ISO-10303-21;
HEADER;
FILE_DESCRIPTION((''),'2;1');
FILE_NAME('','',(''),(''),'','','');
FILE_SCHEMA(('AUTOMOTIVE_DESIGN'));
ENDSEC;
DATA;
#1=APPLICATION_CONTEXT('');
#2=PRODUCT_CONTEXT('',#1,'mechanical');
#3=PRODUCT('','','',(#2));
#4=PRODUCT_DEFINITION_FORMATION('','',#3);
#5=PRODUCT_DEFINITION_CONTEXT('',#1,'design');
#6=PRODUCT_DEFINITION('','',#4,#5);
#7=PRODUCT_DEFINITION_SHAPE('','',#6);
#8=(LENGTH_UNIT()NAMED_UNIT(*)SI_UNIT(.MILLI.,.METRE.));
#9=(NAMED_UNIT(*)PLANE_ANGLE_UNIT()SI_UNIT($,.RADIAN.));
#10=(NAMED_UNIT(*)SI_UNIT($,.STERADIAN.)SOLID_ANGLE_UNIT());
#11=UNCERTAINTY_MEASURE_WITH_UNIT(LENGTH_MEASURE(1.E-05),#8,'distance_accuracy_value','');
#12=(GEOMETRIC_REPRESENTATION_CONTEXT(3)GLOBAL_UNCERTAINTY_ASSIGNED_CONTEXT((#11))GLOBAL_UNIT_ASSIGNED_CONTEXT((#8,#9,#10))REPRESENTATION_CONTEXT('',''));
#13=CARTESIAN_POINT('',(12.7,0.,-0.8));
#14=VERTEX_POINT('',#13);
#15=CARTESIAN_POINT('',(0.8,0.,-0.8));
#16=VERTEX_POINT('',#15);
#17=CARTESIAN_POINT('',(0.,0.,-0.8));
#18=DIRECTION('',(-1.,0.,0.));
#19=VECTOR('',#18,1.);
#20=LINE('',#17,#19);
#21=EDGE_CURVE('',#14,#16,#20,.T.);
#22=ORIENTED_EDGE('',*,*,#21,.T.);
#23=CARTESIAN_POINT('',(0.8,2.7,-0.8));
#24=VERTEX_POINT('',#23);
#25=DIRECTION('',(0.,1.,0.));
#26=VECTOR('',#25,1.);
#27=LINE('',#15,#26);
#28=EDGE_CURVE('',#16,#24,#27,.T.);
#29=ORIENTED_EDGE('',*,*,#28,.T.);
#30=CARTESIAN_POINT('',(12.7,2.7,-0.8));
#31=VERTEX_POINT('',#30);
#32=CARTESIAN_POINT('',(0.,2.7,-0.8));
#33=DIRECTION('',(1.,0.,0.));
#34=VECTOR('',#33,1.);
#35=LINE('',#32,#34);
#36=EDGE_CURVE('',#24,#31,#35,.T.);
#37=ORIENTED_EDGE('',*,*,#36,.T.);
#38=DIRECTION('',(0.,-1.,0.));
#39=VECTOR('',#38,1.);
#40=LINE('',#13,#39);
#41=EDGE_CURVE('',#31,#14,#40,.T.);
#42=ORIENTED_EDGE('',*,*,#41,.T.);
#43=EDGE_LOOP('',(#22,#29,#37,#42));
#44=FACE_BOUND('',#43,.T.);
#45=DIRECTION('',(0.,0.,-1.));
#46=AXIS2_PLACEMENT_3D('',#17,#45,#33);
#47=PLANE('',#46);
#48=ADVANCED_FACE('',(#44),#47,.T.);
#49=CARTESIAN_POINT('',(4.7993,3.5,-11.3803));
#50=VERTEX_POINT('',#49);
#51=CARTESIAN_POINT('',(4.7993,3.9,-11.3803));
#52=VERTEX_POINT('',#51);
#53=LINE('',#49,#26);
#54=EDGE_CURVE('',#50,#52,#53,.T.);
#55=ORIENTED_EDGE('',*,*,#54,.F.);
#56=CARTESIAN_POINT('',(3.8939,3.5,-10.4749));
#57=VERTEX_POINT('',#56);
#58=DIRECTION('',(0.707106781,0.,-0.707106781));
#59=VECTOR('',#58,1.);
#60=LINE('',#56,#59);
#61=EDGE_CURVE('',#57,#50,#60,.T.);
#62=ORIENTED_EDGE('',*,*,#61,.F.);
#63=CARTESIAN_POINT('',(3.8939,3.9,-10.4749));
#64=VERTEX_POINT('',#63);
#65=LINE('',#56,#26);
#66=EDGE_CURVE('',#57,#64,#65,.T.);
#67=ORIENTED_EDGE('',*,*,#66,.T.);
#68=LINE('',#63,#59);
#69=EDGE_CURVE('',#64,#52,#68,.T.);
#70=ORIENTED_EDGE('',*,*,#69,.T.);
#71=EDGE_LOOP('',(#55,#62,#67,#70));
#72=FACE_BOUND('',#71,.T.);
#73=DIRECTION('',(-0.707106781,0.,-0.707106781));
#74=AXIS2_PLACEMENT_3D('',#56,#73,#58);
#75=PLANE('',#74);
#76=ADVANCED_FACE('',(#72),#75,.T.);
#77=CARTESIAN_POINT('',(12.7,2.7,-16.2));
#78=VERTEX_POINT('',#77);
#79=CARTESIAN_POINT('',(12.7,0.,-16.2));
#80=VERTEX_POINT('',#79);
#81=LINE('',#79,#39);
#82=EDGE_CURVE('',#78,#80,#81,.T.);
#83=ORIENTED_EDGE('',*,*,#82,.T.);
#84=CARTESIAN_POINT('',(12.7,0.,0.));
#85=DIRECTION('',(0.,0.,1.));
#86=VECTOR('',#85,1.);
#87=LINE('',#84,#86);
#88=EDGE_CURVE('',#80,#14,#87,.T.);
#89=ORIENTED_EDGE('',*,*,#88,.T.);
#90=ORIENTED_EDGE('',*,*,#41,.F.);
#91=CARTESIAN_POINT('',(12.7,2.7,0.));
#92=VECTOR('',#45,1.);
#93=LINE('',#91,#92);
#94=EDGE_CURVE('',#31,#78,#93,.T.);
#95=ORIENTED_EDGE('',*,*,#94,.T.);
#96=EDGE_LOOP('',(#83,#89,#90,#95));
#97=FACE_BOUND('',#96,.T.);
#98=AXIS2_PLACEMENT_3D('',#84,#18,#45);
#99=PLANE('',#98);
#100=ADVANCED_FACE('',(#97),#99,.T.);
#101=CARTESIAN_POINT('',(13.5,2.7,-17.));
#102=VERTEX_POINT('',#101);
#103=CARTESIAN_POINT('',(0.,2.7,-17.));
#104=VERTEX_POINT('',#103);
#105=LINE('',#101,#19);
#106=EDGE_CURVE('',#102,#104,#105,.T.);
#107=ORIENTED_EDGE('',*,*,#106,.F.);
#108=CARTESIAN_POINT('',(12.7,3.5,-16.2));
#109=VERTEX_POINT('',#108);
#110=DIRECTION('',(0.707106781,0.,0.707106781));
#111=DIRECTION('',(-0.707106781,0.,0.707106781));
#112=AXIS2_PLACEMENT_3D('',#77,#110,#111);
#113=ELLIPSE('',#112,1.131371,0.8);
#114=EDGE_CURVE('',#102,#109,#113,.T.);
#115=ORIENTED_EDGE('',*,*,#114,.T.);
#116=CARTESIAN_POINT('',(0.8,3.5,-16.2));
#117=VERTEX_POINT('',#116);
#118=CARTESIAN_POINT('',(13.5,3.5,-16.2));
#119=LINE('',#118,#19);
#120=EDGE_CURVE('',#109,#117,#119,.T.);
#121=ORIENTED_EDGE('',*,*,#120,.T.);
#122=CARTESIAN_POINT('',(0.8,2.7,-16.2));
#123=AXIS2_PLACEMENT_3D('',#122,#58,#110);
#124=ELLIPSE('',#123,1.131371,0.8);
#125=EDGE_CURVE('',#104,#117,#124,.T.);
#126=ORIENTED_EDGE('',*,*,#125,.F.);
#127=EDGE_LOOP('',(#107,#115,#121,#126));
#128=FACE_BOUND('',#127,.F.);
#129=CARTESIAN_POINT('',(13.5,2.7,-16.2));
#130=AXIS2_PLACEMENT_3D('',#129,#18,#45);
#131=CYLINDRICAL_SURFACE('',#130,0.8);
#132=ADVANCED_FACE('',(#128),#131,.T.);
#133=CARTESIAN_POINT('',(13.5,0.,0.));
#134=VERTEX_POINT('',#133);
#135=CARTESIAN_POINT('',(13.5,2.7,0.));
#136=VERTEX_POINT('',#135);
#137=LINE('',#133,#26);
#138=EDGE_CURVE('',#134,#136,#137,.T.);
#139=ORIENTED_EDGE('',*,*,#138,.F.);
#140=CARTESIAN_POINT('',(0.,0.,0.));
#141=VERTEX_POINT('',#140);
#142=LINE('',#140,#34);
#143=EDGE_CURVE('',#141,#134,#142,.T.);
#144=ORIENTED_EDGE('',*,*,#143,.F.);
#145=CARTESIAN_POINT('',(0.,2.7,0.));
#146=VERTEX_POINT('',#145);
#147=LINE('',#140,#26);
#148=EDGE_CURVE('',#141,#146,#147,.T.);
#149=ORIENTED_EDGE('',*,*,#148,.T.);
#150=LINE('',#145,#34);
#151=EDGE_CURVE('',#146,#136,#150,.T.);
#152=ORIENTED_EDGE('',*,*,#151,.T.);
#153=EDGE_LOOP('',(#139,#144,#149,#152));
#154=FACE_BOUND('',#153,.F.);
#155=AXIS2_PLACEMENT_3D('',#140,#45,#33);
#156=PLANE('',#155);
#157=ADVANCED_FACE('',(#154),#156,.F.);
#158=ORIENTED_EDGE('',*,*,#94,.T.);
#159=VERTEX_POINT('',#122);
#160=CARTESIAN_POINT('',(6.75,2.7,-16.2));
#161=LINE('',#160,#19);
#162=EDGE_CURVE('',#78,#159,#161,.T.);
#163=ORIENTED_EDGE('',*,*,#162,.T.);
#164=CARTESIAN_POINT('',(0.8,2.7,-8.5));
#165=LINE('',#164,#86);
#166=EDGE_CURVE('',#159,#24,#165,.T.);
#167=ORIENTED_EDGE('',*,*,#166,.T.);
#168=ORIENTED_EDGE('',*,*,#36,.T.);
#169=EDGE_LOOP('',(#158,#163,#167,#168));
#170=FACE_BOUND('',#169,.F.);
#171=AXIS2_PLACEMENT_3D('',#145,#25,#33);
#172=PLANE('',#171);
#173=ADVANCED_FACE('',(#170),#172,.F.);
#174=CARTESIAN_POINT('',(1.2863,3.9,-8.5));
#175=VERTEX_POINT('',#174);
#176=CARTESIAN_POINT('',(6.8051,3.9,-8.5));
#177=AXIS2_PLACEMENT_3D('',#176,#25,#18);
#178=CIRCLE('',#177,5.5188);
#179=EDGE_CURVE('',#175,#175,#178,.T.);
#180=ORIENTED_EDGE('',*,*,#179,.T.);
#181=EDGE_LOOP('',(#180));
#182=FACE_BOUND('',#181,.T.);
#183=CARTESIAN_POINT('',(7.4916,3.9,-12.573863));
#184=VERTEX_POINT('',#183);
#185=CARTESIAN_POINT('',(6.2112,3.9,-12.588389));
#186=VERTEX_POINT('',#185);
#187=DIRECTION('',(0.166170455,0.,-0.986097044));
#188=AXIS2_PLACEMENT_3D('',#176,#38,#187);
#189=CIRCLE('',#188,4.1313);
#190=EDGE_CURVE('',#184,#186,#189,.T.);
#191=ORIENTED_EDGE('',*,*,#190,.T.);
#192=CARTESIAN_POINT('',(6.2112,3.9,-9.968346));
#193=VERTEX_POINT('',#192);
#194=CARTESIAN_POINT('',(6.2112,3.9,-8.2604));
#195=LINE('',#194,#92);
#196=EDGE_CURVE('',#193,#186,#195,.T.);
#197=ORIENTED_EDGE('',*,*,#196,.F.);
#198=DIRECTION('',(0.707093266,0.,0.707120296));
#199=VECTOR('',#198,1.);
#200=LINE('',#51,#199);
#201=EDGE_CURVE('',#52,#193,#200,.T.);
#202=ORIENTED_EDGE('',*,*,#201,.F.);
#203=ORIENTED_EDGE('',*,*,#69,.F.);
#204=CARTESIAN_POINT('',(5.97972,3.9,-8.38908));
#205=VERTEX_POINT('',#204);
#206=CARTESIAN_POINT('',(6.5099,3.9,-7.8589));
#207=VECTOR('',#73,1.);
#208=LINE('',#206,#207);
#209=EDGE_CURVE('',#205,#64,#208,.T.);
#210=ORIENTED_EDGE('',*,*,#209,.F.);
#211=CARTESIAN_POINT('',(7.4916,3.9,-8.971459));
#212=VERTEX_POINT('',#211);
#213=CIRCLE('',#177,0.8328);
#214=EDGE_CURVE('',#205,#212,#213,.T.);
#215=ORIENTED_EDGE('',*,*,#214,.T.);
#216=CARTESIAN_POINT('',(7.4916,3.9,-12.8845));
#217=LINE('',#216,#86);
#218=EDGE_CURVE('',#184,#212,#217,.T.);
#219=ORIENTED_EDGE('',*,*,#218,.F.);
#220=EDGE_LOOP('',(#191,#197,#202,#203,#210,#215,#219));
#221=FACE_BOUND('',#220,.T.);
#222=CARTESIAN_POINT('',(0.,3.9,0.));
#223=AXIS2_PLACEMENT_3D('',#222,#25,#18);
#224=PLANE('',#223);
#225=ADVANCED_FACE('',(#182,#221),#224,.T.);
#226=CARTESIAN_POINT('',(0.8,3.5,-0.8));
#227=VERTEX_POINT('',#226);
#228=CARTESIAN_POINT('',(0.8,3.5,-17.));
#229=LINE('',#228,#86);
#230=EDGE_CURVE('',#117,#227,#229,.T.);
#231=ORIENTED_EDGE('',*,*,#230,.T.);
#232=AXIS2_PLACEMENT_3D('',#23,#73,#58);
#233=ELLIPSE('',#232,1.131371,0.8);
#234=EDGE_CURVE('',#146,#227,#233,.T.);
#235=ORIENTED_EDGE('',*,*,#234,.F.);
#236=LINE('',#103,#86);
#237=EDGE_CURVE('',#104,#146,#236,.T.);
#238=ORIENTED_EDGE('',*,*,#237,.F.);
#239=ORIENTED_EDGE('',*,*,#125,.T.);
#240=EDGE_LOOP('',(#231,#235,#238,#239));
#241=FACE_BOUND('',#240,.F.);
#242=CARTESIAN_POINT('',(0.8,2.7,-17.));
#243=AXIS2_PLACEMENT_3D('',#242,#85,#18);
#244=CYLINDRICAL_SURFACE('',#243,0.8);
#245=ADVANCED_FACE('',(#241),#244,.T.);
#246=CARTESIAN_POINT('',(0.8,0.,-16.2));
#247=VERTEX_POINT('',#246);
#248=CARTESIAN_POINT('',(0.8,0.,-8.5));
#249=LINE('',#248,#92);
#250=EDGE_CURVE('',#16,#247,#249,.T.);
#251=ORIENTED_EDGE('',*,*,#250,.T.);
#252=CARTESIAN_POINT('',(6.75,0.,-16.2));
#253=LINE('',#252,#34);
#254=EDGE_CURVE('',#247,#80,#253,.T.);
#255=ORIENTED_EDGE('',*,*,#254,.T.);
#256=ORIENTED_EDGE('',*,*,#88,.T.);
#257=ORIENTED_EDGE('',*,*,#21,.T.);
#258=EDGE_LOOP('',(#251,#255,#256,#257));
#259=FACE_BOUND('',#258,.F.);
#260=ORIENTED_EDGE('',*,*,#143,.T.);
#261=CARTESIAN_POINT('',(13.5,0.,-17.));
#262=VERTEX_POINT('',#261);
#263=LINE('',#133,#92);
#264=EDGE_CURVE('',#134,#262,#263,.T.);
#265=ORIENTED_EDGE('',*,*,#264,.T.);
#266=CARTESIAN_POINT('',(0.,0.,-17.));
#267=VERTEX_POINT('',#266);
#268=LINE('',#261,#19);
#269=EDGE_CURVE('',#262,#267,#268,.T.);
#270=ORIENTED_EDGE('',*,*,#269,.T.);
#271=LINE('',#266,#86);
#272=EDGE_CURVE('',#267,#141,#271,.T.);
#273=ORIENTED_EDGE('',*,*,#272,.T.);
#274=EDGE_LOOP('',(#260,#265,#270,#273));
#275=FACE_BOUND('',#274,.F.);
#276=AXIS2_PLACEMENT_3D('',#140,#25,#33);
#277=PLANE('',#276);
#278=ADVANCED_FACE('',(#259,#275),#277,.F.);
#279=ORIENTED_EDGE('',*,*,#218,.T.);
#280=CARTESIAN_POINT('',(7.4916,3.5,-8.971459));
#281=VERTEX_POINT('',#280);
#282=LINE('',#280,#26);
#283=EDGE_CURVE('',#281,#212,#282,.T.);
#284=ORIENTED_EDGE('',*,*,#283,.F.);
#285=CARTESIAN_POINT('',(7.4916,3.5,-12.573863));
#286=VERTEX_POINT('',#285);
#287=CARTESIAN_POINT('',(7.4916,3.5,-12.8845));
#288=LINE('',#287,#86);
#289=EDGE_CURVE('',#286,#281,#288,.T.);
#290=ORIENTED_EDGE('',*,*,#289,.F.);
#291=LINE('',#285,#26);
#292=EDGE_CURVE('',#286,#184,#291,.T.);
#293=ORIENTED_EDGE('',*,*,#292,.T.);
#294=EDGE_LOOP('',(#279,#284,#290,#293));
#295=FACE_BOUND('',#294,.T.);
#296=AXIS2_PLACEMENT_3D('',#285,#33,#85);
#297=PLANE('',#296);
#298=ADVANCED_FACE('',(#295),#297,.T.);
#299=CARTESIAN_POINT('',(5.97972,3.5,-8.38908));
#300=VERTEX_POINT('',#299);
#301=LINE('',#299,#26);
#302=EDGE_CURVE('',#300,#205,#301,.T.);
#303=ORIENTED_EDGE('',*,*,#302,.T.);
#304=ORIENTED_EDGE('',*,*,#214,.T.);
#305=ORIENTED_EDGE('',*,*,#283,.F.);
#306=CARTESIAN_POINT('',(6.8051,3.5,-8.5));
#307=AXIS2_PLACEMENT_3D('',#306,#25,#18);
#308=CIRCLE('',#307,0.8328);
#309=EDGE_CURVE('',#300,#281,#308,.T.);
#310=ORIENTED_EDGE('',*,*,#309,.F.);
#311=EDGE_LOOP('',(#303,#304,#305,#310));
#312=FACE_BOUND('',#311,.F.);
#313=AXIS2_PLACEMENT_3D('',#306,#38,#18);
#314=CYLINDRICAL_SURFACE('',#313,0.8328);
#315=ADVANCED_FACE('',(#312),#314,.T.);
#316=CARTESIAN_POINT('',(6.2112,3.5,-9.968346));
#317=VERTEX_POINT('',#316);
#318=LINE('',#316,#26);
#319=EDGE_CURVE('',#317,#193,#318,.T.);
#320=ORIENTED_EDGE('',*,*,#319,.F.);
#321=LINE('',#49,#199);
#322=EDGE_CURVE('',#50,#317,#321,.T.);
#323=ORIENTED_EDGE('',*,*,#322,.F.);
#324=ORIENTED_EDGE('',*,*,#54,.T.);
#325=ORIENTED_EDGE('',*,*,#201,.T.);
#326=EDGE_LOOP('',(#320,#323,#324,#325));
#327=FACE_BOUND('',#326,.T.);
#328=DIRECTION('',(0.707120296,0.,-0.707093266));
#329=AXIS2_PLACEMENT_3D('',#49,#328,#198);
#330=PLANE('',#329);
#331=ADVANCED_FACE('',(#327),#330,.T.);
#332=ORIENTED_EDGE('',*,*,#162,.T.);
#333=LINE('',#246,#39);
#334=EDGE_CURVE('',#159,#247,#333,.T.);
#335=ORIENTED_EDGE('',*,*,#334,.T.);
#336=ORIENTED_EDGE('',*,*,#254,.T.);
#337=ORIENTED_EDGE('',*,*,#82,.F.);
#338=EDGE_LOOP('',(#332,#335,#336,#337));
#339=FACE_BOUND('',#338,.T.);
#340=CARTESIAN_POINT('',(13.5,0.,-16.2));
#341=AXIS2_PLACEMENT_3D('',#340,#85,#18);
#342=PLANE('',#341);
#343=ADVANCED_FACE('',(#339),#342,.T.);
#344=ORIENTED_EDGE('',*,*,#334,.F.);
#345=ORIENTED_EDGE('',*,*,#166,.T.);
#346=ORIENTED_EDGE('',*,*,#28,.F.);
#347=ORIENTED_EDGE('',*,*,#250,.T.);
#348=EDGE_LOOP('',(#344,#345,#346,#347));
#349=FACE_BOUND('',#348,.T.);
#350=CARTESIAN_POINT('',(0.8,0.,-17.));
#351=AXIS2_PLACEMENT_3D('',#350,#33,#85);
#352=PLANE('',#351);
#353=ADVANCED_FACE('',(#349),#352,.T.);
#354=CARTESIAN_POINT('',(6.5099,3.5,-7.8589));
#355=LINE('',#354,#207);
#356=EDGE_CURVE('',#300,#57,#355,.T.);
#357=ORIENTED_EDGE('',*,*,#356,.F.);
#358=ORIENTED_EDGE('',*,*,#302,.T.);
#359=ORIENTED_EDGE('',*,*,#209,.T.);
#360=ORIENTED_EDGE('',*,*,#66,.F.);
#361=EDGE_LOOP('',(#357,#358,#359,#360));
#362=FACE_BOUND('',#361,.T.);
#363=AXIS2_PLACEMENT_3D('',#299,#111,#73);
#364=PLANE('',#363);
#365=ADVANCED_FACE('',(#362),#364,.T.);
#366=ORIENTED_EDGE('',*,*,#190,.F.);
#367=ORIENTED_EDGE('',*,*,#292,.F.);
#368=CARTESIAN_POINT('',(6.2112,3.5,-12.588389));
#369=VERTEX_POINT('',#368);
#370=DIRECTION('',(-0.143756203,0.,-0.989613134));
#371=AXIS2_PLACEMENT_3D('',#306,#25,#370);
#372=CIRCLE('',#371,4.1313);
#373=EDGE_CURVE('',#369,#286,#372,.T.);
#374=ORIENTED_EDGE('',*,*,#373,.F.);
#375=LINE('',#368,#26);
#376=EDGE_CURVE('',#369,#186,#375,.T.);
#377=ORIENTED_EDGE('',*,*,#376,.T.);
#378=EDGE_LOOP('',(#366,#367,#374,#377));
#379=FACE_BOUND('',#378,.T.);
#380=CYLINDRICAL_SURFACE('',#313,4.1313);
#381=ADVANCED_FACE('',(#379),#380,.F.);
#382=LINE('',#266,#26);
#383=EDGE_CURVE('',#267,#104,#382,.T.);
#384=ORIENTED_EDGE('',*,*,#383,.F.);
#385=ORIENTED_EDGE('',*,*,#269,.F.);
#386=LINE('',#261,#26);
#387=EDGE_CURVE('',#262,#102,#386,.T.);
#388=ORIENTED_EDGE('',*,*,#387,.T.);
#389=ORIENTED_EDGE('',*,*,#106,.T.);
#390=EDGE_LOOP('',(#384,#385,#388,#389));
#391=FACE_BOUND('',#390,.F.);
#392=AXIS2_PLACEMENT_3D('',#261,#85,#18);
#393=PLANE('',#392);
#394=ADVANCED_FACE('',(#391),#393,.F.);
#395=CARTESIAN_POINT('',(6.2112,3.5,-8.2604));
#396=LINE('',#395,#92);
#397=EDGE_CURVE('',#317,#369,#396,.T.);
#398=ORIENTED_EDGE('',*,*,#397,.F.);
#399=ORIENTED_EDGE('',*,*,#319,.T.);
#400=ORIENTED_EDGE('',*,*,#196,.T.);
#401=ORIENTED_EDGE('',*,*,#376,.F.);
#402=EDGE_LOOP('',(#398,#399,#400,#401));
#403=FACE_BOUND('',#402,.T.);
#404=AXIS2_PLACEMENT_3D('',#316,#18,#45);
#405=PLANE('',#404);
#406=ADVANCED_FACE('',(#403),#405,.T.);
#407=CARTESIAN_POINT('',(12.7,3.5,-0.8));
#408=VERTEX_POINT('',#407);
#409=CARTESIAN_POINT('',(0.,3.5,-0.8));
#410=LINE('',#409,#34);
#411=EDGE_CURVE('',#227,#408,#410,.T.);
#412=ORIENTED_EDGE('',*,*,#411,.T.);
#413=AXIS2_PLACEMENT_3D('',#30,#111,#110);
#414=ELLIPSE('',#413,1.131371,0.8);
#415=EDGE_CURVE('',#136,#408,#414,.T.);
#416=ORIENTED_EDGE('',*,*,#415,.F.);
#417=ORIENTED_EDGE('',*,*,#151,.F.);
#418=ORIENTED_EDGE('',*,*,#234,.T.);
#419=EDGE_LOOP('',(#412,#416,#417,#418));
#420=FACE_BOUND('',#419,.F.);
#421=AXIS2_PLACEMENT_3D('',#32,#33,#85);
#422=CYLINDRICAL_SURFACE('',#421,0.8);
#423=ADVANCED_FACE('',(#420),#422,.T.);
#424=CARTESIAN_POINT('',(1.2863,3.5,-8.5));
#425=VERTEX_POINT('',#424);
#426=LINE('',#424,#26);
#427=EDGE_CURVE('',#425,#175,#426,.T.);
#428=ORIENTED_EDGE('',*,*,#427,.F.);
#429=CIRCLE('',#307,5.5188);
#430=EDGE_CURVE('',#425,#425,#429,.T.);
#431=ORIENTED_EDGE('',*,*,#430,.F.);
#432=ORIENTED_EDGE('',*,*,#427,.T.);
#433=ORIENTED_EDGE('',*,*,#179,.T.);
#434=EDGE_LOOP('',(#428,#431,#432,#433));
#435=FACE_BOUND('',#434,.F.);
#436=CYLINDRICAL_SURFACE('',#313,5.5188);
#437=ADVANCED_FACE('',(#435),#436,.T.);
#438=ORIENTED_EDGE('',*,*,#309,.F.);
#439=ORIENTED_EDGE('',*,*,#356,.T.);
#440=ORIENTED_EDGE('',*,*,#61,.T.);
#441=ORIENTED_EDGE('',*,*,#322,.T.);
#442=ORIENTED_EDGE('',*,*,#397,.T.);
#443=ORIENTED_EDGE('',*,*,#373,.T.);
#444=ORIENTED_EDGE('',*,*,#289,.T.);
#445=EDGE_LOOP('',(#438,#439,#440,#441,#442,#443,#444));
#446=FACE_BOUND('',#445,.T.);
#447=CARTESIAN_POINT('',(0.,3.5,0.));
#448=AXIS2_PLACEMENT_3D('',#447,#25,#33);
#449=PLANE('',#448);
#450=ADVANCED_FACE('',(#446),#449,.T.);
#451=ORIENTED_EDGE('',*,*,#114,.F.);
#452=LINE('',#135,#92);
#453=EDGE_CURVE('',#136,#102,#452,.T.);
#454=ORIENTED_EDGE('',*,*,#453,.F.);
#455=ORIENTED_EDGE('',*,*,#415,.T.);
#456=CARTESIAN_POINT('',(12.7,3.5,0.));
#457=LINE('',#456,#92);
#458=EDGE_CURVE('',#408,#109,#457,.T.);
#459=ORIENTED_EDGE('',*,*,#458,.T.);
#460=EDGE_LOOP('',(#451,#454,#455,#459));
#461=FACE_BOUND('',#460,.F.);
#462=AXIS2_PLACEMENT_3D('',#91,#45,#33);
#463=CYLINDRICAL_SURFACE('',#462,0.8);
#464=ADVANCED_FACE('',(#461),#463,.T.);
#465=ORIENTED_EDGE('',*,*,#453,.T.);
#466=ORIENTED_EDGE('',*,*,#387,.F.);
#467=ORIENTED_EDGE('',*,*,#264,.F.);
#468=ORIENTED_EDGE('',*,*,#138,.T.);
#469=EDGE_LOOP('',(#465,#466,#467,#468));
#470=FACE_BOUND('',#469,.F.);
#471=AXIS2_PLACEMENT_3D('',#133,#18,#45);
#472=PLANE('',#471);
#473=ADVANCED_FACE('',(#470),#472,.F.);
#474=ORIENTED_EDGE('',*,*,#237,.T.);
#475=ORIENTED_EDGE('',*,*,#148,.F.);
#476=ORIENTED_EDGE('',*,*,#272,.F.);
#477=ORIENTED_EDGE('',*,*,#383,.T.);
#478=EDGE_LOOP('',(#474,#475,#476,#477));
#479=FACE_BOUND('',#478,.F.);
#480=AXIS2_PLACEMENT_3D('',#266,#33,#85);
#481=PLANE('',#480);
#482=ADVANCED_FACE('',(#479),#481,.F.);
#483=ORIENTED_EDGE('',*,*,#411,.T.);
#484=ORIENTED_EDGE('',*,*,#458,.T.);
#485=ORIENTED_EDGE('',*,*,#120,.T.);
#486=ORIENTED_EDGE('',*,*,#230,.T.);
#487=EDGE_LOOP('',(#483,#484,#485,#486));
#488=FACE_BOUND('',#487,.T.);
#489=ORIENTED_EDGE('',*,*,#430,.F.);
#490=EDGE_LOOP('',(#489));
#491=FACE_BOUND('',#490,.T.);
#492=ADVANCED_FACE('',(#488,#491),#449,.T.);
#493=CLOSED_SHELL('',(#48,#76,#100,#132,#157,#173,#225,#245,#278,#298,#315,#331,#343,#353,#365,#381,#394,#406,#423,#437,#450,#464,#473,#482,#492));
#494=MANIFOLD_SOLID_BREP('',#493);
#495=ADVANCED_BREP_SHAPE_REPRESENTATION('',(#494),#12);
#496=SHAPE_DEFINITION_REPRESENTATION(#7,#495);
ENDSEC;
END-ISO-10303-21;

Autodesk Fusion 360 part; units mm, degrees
sketch "Sketch1" plane through (0, 0, 0) normal (0, 1, 0) x (1, 0, 0)
  line L0 (0, 0) -> (13.5, 0)
  line L1 (13.5, 0) -> (13.5, 17)
  line L2 (13.5, 17) -> (0, 17)
  line L3 (0, 17) -> (0, 0)
  dimension "d1" = 17
  dimension "d2" = 13.5
extrude "Extrude1" add sketch "Sketch1" along normal blind 3.5
shell "Shell1" thickness 0.8 removed faces 1 at (4.5, 0, -11.3333)
fillet "Fillet1" radius 0.8 4 edges at (6.75, 3.5, 0) (0, 3.5, -8.5) (6.75, 3.5, -17) (13.5, 3.5, -8.5)
sketch "Sketch2" plane through (0, 3.5, 0) normal (0, 1, 0) x (-1, 0, 0)
  line L0 (-12.7, -16.2) -> (-0.8, -16.2)
  line L1 (-0.8, -16.2) -> (-0.8, -0.8)
  line L2 (-0.8, -0.8) -> (-12.7, -0.8)
  line L3 (-12.7, -0.8) -> (-12.7, -16.2)
  circle A0 centre (-6.8051, -8.5) radius 5.5188
  circle A1 centre (-6.8051, -8.5) radius 4.1313
  line L4 (-6.2112, -12.8845) -> (-7.4916, -12.8845)
  line L5 (-7.4916, -12.8845) -> (-7.4916, -8.2604)
  line L6 (-7.4916, -8.2604) -> (-6.2112, -8.2604)
  line L7 (-6.2112, -8.2604) -> (-6.2112, -12.8845)
  line L8 (-4.7993, -11.3803) -> (-7.4152, -8.7643)
  line L9 (-7.4152, -8.7643) -> (-6.5099, -7.8589)
  line L10 (-6.5099, -7.8589) -> (-3.8939, -10.4749)
  line L11 (-3.8939, -10.4749) -> (-4.7993, -11.3803)
  circle A2 centre (-6.8051, -8.5) radius 0.8328
extrude "Extrude4" add sketch "Sketch2" along normal blind 0.4 contours A0 | A1 L5 L7 L8 A2 | A1 L4 L5 L7 | L5 L6 L9 L10 A2 | L5 L6 L8 L9 A2 | L7 L8 A2 | L7 L8 L10 L11 A2 | L6 L7 L9 L10 A2 | L6 L7 L8 L9 A2
